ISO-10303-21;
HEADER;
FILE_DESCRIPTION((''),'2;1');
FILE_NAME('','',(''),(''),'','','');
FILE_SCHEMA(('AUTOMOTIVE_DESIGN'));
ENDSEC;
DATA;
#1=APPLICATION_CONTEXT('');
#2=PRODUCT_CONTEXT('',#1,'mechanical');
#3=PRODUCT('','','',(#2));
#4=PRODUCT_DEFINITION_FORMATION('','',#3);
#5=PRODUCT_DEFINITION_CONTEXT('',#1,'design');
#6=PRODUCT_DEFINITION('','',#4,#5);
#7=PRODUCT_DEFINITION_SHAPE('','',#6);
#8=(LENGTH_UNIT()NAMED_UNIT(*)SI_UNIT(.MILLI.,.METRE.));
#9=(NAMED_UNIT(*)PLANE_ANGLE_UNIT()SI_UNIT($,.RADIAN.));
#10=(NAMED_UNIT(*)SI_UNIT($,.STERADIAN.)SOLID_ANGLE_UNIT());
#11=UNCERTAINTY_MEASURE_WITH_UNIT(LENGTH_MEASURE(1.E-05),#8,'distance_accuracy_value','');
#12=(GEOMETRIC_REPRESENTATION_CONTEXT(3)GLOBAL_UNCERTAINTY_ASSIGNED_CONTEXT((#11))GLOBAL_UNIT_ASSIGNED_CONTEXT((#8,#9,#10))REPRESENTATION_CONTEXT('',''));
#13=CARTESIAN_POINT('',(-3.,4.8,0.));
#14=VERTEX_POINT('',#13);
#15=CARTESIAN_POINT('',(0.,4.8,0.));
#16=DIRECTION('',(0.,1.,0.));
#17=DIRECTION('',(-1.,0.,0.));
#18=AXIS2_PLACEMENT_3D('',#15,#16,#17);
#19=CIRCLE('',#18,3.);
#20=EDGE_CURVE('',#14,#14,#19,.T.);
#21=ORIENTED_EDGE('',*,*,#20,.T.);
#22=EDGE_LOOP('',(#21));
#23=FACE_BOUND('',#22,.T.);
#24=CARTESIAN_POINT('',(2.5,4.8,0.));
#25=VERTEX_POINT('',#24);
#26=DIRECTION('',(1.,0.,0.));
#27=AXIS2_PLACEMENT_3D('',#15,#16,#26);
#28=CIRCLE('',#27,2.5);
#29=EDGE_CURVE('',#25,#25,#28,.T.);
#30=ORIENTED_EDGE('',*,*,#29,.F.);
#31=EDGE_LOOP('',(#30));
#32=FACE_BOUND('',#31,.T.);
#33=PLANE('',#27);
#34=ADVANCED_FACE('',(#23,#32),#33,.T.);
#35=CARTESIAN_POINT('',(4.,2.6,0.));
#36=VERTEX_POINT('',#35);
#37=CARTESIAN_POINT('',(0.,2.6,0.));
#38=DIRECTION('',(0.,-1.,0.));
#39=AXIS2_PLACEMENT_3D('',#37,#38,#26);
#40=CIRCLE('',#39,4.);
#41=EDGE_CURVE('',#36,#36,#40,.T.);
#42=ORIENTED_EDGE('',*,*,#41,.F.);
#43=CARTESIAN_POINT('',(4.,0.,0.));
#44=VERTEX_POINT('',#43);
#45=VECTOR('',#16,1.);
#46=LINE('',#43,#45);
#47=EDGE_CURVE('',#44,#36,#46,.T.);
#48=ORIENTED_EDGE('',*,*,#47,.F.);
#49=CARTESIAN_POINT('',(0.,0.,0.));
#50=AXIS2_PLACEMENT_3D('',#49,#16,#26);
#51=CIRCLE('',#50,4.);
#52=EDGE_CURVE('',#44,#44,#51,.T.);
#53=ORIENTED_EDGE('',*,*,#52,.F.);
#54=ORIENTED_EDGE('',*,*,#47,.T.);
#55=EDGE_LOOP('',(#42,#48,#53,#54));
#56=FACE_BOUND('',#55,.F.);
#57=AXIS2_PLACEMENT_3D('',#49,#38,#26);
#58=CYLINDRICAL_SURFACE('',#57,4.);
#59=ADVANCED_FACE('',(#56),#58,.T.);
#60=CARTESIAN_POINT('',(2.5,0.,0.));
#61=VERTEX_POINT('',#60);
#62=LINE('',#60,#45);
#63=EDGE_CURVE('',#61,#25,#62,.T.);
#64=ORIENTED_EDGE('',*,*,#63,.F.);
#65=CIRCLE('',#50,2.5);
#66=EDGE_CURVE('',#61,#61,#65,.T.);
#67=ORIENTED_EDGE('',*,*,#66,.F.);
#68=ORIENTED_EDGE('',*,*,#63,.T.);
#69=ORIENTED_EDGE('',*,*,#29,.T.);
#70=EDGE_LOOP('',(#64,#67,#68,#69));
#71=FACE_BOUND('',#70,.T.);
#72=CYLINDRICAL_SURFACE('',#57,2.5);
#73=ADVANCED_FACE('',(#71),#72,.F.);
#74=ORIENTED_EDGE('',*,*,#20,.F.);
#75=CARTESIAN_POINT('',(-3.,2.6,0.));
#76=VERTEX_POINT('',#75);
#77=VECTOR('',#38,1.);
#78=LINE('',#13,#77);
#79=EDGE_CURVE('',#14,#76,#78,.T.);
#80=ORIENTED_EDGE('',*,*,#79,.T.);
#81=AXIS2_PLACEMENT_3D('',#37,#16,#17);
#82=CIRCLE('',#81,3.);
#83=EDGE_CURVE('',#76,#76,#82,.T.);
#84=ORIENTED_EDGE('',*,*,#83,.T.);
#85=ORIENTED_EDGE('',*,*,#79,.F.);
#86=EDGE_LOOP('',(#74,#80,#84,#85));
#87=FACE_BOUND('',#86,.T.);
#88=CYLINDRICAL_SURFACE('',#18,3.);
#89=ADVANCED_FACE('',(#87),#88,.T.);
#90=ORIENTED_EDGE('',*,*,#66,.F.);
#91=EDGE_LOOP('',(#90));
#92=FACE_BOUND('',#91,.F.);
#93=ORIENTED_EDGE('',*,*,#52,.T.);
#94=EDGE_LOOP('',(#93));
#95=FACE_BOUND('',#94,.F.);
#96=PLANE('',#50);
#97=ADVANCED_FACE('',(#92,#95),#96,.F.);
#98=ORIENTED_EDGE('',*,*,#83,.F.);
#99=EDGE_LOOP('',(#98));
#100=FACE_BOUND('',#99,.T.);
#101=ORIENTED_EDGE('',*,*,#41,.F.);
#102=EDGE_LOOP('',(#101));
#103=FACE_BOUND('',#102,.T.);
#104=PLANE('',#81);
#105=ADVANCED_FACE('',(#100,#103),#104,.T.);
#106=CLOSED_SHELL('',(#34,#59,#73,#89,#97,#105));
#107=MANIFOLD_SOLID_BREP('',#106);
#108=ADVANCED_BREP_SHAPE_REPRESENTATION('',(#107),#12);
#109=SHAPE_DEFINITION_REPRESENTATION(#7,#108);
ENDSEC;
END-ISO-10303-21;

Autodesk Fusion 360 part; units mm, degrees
sketch "Sketch1" plane through (0, 0, 0) normal (0, 1, 0) x (1, 0, 0)
  circle A0 centre (0, 0) radius 4
  circle A1 centre (0, 0) radius 2.5
  dimension "d1" = 8
  dimension "d2" = 5
extrude "Extrude1" add sketch "Sketch1" along normal blind 4.8
sketch "Sketch2" plane through (0, 4.8, 0) normal (0, 1, 0) x (-1, 0, 0)
  circle A0 centre (0, 0) radius 2.5
  circle A1 centre (0, 0) radius 4
  circle A2 centre (0, 0) radius 3
  dimension "d5" = 6
extrude "Extrude2" cut sketch "Sketch2" against normal blind 2.2 contours A1
